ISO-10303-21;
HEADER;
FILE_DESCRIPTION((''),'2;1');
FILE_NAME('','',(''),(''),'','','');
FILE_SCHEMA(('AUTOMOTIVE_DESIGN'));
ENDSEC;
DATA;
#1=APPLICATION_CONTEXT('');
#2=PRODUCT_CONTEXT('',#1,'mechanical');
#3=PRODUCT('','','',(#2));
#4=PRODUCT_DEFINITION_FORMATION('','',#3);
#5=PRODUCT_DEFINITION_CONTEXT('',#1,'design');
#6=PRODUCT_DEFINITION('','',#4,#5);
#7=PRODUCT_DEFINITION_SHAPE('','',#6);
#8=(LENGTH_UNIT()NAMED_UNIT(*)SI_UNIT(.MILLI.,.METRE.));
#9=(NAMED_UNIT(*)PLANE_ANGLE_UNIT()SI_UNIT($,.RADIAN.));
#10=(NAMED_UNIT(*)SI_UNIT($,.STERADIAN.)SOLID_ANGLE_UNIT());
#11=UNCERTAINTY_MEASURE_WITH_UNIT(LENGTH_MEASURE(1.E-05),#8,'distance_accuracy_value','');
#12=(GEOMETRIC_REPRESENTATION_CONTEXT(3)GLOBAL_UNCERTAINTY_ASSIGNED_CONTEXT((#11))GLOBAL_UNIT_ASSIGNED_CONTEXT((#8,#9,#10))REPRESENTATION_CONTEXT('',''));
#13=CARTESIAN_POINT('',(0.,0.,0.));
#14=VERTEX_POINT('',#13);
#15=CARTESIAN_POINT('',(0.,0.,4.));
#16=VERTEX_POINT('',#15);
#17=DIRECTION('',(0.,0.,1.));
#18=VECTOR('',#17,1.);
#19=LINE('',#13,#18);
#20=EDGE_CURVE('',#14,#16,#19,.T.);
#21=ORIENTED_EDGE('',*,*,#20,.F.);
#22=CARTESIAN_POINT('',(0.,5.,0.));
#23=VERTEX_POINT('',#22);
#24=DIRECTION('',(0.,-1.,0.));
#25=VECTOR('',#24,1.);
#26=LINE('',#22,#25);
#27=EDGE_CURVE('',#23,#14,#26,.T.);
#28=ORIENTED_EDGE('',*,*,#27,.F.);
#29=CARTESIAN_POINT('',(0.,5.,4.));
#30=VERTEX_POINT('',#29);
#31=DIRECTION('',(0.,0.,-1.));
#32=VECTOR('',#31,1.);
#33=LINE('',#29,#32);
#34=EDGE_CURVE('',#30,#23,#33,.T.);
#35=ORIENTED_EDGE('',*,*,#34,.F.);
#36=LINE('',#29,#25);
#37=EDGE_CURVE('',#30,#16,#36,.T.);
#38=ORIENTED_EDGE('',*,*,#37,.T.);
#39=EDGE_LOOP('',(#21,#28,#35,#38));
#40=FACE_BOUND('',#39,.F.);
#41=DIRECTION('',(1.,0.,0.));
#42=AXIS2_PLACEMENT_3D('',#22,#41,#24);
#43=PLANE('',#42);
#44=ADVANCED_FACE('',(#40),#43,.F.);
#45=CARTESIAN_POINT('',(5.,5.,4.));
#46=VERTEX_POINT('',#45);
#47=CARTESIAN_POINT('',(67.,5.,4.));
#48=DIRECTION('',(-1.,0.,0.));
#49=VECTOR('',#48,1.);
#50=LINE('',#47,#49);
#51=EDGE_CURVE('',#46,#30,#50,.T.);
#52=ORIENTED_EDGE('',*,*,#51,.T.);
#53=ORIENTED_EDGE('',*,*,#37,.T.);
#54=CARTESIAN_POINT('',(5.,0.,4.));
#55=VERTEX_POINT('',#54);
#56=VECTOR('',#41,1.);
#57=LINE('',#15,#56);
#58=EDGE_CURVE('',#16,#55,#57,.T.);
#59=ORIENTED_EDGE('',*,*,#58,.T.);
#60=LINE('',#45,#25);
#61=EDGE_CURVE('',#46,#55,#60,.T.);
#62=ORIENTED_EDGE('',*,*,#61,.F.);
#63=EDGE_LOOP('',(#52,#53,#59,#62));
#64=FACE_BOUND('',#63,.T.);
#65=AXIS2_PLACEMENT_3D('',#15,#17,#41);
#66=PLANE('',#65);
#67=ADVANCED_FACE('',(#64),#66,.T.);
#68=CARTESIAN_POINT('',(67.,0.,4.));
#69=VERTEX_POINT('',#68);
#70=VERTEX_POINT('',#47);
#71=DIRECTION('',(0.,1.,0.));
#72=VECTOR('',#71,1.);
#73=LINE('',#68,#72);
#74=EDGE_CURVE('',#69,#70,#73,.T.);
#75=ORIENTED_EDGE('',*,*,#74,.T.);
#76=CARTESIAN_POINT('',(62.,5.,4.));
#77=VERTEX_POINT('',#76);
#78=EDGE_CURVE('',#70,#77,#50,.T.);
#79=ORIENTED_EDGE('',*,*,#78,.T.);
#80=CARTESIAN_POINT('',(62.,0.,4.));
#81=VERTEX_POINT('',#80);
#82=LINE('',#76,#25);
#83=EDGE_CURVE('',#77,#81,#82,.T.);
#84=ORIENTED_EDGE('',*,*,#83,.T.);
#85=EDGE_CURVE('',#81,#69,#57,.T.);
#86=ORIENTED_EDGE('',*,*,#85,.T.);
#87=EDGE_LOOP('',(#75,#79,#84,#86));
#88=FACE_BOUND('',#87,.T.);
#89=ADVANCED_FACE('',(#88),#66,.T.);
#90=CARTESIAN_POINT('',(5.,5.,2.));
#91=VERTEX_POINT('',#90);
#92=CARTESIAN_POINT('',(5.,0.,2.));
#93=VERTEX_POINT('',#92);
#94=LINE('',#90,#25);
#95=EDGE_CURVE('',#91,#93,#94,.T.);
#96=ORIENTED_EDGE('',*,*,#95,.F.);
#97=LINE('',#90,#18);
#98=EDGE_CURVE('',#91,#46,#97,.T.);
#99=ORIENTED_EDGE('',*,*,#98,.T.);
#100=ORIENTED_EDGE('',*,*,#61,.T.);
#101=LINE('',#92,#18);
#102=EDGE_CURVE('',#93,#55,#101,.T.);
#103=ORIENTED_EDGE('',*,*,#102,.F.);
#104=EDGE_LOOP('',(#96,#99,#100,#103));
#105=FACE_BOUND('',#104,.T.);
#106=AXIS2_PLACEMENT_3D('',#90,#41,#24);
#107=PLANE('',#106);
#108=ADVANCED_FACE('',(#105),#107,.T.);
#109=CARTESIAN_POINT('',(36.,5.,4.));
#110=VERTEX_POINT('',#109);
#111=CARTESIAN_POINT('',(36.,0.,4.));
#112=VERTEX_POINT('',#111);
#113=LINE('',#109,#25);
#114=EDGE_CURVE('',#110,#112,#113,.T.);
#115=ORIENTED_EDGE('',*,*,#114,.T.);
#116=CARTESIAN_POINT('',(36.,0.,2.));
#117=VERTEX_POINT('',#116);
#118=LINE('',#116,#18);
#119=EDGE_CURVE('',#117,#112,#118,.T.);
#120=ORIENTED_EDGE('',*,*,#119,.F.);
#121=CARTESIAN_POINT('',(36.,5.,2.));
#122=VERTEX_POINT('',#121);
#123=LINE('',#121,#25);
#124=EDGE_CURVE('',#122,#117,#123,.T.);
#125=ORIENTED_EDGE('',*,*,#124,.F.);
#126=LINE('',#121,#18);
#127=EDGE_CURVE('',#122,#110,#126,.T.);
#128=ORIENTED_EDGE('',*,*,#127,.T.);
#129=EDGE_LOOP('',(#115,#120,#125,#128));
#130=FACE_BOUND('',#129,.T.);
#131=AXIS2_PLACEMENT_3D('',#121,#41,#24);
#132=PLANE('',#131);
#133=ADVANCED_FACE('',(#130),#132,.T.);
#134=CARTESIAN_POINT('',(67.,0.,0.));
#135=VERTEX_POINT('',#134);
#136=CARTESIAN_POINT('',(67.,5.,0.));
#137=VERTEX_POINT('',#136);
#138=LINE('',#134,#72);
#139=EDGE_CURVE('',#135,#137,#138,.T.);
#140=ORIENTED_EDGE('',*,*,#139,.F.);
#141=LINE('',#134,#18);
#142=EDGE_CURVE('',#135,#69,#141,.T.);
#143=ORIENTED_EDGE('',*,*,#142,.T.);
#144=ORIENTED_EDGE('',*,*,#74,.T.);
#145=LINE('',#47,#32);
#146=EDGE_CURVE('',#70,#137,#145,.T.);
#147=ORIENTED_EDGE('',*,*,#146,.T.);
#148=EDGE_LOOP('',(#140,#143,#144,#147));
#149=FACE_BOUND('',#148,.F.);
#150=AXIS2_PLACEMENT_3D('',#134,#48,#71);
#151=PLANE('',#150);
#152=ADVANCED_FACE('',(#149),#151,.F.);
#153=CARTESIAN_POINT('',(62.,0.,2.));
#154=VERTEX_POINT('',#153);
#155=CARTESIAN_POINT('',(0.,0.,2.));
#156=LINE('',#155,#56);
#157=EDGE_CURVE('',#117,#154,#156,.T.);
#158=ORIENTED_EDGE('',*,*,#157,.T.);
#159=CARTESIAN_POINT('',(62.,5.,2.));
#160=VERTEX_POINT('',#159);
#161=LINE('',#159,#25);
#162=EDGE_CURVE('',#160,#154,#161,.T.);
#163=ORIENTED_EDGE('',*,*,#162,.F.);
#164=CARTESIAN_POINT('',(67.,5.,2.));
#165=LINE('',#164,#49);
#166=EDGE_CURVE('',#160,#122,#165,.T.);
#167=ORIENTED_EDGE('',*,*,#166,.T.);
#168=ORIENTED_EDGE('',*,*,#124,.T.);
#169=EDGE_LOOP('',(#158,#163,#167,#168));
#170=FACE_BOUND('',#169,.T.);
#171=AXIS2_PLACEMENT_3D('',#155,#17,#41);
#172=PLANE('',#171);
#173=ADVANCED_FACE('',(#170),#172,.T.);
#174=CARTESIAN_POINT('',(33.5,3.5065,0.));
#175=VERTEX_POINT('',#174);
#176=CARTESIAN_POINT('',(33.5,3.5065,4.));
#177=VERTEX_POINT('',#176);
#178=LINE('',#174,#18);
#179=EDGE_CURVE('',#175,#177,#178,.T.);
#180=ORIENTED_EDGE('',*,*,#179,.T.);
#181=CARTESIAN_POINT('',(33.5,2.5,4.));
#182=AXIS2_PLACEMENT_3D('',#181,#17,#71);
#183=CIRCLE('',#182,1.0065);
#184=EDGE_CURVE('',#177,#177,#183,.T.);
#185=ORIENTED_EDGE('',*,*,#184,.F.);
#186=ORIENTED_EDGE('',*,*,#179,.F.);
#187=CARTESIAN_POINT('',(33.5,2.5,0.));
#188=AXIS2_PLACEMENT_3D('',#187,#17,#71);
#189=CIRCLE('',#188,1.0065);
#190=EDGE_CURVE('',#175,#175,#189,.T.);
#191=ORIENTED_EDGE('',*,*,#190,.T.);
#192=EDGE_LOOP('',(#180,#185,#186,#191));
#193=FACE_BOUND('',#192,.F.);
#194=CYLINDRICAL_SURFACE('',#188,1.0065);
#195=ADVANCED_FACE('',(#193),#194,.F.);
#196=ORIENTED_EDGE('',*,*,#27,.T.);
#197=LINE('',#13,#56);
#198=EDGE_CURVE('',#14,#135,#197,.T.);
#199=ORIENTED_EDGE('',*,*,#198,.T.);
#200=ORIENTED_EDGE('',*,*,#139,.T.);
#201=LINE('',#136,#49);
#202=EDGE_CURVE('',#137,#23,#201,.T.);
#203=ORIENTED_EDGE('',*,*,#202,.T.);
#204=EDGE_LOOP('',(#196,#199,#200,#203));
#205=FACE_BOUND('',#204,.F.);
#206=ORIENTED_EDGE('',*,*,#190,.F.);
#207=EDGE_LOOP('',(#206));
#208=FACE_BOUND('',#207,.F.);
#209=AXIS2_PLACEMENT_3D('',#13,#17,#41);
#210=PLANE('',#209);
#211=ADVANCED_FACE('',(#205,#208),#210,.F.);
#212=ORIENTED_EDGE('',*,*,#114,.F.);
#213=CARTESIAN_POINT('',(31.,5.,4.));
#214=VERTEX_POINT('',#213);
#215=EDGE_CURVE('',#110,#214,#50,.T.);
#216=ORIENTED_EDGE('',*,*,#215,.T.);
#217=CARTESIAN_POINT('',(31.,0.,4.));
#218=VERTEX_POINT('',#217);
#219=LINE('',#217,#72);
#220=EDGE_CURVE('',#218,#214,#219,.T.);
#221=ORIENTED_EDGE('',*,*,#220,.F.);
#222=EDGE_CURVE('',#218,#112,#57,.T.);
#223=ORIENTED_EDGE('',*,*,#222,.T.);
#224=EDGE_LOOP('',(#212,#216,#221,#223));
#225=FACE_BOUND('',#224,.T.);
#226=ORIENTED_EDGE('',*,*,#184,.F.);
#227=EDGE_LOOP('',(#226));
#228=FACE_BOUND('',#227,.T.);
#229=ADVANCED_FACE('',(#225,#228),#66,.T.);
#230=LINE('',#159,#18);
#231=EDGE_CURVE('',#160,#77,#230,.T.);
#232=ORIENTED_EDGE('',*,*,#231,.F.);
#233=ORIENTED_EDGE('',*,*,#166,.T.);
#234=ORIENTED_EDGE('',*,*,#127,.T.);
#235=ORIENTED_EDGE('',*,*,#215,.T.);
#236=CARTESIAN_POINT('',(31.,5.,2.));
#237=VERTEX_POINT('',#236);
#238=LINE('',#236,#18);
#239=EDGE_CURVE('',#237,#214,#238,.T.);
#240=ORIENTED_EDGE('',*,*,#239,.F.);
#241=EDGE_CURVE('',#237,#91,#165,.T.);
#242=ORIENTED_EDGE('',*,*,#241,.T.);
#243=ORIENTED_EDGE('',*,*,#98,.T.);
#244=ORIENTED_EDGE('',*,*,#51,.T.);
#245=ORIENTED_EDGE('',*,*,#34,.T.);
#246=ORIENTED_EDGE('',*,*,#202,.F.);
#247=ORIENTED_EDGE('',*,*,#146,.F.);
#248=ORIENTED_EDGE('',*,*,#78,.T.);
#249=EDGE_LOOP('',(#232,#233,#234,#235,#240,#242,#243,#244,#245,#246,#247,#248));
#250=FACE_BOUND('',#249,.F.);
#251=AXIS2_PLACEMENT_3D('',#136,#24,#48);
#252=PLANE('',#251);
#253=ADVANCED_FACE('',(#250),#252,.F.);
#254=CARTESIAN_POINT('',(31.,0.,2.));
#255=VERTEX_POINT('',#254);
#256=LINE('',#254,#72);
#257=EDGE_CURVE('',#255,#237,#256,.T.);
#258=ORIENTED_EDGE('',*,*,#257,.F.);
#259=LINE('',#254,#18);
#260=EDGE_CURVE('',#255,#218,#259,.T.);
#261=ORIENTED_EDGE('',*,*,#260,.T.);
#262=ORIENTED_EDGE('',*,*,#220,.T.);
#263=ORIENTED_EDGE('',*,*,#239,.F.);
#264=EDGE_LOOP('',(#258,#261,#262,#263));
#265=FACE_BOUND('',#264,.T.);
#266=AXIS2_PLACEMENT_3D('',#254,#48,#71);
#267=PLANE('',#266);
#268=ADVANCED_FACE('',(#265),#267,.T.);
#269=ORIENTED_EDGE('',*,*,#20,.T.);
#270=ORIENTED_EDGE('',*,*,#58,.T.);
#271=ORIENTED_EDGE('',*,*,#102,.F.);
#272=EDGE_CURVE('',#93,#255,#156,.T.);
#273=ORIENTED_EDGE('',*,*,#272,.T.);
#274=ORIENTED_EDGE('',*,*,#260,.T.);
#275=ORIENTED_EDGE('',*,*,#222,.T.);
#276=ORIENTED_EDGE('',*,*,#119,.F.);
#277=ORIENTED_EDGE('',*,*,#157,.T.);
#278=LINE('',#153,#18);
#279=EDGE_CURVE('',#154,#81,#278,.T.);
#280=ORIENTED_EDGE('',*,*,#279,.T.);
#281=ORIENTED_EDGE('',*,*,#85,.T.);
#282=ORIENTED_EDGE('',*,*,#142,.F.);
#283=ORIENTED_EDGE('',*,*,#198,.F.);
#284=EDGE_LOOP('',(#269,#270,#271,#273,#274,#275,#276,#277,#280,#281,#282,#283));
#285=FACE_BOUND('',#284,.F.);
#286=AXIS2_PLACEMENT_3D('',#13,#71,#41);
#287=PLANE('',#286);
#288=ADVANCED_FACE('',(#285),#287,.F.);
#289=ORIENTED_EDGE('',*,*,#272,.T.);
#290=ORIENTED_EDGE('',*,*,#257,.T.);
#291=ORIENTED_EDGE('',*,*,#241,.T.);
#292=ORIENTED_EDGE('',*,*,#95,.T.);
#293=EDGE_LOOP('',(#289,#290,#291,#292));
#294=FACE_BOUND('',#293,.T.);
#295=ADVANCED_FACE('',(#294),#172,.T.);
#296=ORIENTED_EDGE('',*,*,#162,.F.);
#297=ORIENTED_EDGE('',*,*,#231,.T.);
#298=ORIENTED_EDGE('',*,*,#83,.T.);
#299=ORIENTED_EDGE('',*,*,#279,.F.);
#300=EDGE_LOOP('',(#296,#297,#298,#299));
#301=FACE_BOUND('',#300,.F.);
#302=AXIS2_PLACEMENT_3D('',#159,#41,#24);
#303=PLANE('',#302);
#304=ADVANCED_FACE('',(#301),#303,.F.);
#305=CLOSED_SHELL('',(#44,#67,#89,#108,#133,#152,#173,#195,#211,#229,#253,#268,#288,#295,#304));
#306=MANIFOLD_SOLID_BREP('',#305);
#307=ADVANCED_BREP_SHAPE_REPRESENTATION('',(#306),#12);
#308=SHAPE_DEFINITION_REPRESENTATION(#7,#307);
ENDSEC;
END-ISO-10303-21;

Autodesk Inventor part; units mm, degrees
ref_plane "YZ Plane" through (0, 0, 0) normal (1, 0, 0) x (0, 1, 0)
ref_plane "XZ Plane" through (0, 0, 0) normal (0, 1, 0) x (-1, 0, 0)
ref_plane "XY Plane" through (0, 0, 0) normal (0, 0, 1) x (1, 0, 0)
sketch "Sketch1" plane through (0, 0, 0) normal (0, 0, 1) x (1, 0, 0)
  line L0 (0, 0) -> (67, 0)
  line L1 (67, 0) -> (67, 5)
  line L2 (67, 5) -> (0, 5)
  line L3 (0, 5) -> (0, 0)
  dimension "d0" = 5
  dimension "d1" = 67
extrude "Extrusion1" add sketch "Sketch1" along normal blind 2
sketch "Sketch2" plane through (0, 0, 2) normal (0, 0, 1) x (1, 0, 0)
  line L0 (0, 0) -> (67, 0) projected
  line L1 (67, 0) -> (67, 5) projected
  line L2 (67, 5) -> (0, 5) projected
  line L3 (0, 5) -> (0, 0) projected
  line L4 (0, 5) -> (5, 5)
  line L5 (5, 5) -> (5, 0)
  line L6 (5, 0) -> (0, 0)
  line L7 (0, 0) -> (0, 5)
  line L8 (31, 5) -> (36, 5)
  line L9 (36, 5) -> (36, 0)
  line L10 (36, 0) -> (31, 0)
  line L11 (31, 0) -> (31, 5)
  line L12 (67, 5) -> (62, 5)
  line L13 (62, 5) -> (62, 0)
  line L14 (62, 0) -> (67, 0)
  line L15 (67, 0) -> (67, 5)
  dimension "d4" = 5
  dimension "d5" = 5
  dimension "d7" = 26
  dimension "d8" = 26
extrude "Extrusion2" add sketch "Sketch2" along normal blind 2 contours L3 L2 L5 L0 | L11 L2 L9 L0 | L13 L2 L1 L0
sketch "Sketch4" plane through (0, 0, 0) normal (0, 0, -1) x (-1, 0, 0)
  line L0 (0, 0) -> (-67, 0) projected
  line L1 (0, 5) -> (0, 0) projected
  line L2 (-67, 5) -> (0, 5) projected
  line L3 (-67, 0) -> (-67, 5) projected
  line L4 (-67, 2.5) -> (0, 2.5) construction
  line L5 (-33.5, 5) -> (-33.5, 0) construction
  point P0 (-33.5, 2.5)
hole "Hole1" at (33.5, 2.5, 0) direction (0, 0, 1) diameter 2.013 end through all thread size "M2.5x0.45" class "6H" standard "ISO Metric profile"
properties part number "top_conductor" material "Copper, Alloy"
